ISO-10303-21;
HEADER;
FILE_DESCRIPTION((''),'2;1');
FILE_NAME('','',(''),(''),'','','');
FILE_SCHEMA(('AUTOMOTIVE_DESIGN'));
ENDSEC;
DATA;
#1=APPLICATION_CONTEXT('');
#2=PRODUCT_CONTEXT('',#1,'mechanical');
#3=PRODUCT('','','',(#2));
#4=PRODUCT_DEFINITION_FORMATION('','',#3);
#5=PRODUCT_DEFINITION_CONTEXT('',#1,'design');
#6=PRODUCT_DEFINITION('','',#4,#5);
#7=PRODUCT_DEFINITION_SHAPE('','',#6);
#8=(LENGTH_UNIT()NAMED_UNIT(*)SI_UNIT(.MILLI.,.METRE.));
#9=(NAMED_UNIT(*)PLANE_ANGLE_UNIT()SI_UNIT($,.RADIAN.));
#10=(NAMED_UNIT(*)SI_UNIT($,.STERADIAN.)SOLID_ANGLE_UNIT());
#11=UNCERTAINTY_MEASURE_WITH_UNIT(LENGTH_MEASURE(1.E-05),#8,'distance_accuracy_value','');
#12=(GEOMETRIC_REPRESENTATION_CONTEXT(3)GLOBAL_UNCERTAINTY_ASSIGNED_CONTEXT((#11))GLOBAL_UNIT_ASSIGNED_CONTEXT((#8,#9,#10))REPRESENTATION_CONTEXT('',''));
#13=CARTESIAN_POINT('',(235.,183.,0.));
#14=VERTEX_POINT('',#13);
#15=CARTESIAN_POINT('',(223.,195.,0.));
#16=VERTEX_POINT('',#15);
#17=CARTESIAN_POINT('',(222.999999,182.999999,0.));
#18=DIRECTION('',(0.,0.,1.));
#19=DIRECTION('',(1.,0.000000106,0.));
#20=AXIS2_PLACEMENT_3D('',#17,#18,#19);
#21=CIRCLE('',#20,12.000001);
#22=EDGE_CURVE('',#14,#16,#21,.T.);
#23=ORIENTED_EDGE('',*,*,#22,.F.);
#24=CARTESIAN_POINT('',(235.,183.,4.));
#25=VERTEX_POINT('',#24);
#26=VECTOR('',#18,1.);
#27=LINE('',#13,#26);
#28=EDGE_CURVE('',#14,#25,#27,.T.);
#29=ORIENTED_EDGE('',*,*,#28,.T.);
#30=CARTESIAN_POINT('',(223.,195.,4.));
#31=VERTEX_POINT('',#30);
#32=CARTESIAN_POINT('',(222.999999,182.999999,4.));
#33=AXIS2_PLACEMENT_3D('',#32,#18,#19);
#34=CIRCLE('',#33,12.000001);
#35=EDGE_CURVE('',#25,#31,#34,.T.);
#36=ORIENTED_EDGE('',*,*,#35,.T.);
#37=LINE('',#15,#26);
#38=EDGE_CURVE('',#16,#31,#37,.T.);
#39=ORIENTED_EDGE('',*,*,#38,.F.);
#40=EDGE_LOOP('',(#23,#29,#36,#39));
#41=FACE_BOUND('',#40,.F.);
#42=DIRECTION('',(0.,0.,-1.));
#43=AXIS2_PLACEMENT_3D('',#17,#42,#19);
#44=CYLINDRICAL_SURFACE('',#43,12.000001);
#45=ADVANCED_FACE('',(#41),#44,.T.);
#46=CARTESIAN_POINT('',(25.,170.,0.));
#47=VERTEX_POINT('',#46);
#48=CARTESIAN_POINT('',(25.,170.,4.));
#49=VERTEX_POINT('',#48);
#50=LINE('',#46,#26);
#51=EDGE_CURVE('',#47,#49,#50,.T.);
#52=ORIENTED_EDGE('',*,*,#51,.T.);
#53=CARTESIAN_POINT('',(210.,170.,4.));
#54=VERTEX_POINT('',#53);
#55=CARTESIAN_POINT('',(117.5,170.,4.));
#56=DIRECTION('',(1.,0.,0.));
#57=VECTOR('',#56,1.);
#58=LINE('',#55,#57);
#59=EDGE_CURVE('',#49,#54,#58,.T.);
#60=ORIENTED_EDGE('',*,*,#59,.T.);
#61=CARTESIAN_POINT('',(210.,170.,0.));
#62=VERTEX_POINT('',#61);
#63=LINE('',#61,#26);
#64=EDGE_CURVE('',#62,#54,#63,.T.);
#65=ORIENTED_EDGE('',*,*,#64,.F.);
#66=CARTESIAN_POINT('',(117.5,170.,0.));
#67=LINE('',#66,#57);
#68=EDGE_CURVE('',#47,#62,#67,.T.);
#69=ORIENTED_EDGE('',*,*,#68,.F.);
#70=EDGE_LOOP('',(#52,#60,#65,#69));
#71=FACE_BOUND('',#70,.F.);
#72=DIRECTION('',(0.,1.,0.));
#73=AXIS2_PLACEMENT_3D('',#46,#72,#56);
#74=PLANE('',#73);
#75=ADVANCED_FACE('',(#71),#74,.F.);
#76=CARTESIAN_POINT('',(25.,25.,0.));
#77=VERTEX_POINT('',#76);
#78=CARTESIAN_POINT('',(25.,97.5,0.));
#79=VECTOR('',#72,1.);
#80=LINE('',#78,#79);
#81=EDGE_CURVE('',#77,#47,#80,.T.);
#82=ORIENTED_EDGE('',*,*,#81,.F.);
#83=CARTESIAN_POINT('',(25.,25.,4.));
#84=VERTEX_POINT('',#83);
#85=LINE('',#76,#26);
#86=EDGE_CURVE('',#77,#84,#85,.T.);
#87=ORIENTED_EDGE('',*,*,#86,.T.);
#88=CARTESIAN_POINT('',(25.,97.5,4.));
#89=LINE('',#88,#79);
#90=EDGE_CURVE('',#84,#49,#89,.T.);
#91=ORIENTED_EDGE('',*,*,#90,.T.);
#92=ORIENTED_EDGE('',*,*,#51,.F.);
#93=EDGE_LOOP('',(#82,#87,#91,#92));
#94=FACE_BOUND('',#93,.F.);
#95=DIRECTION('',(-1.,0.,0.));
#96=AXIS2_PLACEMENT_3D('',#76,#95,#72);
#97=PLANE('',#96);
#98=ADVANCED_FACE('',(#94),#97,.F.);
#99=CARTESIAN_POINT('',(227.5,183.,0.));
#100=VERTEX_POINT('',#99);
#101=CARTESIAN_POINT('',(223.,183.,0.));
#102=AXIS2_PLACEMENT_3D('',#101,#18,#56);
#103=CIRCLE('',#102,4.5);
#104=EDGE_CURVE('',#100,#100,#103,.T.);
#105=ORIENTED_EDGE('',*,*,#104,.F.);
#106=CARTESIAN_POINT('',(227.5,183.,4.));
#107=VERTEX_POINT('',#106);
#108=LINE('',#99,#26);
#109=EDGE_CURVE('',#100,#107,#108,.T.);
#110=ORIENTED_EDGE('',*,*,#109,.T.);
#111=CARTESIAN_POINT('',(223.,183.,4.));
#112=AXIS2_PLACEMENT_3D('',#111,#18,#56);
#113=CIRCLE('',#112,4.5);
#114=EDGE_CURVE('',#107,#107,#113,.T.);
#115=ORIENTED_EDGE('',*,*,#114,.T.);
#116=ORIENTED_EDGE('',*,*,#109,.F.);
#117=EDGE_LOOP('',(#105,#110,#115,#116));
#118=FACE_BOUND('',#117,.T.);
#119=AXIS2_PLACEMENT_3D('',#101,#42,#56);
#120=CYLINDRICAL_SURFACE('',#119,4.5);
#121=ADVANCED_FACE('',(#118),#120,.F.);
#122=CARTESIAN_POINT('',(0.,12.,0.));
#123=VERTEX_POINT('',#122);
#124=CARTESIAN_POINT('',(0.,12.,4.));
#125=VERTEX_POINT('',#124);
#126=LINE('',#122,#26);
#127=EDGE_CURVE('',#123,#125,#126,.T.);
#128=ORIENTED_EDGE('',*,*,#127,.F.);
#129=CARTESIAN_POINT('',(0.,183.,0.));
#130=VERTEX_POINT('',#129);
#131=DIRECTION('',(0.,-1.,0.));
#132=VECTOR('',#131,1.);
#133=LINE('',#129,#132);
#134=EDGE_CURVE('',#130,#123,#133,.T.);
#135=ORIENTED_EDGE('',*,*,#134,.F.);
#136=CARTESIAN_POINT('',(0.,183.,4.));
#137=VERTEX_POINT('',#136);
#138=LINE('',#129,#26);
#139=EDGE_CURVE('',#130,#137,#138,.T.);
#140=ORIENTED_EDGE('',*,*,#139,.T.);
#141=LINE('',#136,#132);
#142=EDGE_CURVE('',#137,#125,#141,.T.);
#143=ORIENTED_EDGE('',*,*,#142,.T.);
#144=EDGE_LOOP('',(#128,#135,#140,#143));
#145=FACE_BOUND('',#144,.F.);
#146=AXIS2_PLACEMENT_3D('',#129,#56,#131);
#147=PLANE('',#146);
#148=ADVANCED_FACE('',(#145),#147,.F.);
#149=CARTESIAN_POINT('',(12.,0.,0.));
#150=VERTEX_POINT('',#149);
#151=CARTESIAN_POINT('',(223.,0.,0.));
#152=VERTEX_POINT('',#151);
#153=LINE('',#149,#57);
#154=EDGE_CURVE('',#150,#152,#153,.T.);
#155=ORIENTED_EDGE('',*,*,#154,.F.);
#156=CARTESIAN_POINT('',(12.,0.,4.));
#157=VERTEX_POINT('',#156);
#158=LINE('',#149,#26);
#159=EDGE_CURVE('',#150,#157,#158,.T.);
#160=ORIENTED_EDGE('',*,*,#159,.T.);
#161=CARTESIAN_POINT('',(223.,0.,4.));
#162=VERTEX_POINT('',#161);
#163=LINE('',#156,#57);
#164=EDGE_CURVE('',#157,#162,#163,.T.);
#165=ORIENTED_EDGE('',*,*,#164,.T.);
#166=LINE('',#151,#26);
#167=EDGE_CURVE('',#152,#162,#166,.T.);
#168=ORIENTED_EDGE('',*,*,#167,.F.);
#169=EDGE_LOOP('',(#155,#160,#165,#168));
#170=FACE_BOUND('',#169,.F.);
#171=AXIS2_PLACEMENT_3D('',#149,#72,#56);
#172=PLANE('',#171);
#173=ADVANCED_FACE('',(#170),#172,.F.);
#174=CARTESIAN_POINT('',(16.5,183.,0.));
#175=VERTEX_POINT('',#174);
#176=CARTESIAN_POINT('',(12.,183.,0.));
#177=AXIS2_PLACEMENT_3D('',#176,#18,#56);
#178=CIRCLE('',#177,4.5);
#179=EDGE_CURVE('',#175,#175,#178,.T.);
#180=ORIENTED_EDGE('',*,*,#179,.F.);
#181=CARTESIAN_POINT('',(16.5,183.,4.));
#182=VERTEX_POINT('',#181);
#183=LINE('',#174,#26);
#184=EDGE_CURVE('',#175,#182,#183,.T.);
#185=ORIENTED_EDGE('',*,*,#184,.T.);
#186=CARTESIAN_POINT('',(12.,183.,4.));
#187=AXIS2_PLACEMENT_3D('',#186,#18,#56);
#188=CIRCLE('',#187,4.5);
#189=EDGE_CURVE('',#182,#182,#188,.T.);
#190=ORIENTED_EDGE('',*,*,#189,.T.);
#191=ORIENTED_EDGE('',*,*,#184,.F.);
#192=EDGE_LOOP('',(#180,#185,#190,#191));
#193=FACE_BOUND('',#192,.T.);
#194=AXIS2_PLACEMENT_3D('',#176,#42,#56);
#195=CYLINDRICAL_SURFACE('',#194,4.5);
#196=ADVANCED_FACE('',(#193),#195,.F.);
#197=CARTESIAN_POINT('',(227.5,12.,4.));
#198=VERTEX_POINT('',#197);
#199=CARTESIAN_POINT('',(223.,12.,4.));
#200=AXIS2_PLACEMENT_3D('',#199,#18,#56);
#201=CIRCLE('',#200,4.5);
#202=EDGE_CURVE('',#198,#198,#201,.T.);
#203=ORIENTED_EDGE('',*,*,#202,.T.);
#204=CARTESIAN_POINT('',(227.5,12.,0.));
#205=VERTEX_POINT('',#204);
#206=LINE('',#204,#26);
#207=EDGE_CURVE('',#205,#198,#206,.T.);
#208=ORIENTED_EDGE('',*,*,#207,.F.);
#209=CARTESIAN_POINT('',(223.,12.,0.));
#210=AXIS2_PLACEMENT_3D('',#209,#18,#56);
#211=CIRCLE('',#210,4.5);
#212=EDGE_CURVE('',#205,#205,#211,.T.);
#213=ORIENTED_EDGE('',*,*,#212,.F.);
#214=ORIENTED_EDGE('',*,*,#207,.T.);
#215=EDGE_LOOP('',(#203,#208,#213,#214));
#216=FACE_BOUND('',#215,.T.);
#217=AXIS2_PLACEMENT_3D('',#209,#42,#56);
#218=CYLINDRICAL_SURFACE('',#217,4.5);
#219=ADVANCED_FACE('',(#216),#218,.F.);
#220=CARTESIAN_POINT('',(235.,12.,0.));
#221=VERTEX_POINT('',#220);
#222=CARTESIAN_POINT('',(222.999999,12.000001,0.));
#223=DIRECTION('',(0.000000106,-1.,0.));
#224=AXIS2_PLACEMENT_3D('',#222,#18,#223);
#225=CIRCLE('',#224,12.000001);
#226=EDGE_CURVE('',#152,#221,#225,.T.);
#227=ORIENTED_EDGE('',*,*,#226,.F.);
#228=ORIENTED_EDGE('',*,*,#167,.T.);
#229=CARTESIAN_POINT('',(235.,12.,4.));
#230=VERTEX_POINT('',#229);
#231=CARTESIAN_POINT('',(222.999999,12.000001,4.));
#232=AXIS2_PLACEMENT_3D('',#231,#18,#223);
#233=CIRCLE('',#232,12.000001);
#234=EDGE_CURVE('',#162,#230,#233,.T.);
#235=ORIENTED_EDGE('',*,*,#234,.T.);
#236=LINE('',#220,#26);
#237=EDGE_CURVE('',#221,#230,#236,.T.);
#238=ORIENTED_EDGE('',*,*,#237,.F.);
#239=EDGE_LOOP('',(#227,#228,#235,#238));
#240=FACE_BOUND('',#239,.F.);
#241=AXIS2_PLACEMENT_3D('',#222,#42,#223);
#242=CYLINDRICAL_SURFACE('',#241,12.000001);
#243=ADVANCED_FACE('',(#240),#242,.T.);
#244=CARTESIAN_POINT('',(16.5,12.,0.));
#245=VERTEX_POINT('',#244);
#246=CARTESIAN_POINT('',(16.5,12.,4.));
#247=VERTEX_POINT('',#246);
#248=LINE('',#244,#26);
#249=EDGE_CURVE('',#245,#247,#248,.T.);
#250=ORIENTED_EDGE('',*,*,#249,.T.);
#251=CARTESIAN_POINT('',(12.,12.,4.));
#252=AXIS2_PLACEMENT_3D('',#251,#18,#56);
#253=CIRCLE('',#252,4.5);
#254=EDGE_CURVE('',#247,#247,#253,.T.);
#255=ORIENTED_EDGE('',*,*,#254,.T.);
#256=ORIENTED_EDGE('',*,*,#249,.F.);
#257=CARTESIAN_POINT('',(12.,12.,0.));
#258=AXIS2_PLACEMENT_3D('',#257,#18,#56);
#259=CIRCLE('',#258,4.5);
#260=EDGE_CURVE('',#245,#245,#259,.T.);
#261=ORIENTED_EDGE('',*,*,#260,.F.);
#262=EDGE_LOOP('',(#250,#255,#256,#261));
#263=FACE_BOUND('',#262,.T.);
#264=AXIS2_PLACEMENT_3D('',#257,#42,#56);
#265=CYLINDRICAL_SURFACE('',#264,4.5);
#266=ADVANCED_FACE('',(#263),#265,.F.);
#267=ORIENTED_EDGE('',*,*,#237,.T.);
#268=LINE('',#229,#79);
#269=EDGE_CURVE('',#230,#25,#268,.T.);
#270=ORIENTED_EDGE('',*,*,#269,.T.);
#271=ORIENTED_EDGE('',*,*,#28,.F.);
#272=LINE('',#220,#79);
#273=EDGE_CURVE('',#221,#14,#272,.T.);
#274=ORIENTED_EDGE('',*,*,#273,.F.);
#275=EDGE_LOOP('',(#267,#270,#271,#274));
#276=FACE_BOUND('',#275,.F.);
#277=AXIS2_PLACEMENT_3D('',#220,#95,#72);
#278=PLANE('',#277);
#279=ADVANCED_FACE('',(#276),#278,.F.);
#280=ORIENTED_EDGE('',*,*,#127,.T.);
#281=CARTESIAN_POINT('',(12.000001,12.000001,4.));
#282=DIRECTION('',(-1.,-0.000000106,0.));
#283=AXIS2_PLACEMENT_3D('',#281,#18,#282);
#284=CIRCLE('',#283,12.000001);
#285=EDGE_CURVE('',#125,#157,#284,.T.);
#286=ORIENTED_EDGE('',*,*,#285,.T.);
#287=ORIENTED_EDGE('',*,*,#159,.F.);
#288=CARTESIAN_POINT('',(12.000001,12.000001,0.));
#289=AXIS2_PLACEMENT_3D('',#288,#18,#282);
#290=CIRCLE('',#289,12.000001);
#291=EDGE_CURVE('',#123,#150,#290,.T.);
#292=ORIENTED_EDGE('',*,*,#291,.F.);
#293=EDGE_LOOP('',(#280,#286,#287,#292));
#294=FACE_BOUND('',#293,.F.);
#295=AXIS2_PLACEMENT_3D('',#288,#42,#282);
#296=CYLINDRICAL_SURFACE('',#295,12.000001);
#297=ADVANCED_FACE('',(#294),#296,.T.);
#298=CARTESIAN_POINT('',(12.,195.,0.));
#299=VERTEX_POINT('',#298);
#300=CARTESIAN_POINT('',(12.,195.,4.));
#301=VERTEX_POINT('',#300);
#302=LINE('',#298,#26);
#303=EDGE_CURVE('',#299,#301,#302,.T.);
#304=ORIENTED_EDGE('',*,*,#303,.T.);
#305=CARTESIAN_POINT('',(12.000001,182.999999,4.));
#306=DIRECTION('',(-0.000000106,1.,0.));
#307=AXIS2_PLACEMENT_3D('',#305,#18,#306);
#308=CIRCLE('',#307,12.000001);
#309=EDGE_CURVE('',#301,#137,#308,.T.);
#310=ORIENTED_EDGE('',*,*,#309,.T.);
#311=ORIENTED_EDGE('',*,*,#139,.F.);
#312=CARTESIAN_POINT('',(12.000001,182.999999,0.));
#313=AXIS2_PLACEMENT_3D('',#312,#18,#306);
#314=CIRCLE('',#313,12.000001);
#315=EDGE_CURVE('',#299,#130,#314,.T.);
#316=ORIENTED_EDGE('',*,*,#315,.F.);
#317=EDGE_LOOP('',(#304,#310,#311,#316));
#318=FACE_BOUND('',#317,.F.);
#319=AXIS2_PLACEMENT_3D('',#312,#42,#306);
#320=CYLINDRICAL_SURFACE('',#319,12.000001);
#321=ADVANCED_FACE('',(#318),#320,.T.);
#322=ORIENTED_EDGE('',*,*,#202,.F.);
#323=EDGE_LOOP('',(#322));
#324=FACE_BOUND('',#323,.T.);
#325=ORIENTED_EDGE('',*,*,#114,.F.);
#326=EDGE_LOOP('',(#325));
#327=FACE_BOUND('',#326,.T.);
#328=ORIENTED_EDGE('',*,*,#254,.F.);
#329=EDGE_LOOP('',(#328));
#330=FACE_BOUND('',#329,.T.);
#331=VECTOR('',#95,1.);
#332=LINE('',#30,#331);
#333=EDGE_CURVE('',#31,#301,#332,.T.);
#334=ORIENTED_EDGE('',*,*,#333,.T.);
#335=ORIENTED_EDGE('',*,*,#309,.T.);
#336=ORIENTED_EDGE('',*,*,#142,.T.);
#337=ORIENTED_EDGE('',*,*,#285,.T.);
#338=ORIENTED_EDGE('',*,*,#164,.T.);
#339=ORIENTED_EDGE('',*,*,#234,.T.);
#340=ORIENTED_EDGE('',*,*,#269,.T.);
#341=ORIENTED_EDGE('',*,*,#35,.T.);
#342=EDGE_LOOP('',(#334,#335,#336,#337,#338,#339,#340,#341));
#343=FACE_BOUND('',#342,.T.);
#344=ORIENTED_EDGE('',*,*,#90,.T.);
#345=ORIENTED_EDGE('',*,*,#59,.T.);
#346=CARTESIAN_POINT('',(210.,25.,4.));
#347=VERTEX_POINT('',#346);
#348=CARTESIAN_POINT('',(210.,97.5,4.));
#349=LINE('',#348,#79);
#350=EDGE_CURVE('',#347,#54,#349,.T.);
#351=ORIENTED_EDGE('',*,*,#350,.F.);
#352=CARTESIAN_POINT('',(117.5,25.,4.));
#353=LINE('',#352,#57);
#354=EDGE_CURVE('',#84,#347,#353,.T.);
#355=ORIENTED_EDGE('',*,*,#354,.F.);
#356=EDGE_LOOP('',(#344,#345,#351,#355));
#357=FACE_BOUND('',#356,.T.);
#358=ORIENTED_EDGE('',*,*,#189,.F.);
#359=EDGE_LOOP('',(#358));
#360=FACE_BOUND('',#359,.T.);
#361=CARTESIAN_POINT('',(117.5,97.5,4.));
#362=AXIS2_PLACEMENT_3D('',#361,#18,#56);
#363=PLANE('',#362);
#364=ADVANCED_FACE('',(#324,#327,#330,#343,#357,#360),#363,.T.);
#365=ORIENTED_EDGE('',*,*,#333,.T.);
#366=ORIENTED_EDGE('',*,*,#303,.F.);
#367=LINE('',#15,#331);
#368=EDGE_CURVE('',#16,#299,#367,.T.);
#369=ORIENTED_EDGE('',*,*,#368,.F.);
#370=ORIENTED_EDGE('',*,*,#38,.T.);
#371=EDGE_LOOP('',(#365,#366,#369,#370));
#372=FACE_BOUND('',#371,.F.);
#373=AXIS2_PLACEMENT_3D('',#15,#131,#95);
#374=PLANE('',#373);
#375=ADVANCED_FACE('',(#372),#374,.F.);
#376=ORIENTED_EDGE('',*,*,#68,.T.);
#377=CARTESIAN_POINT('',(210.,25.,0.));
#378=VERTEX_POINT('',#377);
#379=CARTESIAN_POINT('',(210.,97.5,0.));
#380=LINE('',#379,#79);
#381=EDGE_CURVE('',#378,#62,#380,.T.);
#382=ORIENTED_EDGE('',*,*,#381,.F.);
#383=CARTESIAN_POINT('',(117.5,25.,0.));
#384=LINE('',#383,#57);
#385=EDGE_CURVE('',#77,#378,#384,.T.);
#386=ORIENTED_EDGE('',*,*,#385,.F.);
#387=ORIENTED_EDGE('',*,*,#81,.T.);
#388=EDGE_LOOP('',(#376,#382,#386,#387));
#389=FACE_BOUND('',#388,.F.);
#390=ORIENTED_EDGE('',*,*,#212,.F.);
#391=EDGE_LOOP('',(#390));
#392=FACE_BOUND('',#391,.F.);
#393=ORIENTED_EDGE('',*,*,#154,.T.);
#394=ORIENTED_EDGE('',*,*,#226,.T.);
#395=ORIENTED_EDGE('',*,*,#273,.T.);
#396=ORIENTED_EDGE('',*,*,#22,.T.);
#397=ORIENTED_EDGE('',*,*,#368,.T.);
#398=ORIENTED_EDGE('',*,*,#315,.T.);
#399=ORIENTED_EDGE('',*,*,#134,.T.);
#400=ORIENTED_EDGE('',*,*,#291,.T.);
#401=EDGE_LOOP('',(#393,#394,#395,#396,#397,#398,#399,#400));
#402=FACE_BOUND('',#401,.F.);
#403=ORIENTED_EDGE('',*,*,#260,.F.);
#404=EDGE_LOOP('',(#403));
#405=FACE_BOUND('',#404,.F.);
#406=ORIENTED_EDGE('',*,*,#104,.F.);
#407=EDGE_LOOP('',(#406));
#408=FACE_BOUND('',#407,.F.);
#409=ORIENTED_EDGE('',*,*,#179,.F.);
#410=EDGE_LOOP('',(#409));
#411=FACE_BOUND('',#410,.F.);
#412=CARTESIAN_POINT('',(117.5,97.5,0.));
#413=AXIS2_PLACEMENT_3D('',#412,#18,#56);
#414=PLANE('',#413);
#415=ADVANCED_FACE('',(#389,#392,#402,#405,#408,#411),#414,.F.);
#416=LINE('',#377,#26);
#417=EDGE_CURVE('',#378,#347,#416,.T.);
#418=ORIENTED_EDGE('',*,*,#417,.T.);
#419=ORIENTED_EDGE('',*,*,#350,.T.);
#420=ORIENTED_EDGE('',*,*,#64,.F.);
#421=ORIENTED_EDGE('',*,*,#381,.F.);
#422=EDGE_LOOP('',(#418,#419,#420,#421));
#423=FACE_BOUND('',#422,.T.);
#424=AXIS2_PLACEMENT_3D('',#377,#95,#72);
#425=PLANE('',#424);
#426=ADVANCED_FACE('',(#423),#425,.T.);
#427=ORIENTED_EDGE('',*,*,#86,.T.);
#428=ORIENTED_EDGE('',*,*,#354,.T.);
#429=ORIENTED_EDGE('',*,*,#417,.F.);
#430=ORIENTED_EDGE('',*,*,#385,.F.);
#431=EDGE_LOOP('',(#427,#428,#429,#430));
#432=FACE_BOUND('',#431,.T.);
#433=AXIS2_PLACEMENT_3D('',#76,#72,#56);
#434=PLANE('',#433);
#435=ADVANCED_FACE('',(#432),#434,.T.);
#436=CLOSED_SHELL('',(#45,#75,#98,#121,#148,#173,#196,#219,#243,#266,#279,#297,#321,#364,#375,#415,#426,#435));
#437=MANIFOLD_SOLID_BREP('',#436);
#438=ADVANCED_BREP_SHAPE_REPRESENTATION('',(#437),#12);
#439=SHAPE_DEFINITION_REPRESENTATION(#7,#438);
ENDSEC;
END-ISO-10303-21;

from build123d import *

# Parameters (mm, degrees)
F0_R     = 4.5
F0_W     = 185
F0_H     = 145
F1_DEPTH = 4


with BuildPart() as f1:
    # F0 (on Top) → F1 (new body)
    with BuildSketch(Plane.XY):
        with BuildLine():
            ThreePointArc((0, 12), (3.514719, 3.514719), (12, 0))
            Line((12, 0), (223, 0))
            ThreePointArc((223, 0), (231.485281, 3.514719), (235, 12))
            Line((235, 12), (235, 183))
            ThreePointArc((235, 183), (231.485281, 191.485281), (223, 195))
            Line((223, 195), (12, 195))
            ThreePointArc((12, 195), (3.514719, 191.485281), (0, 183))
            Line((0, 183), (0, 12))
        make_face()
        with Locations((12, 12)):
            Circle(F0_R, mode=Mode.SUBTRACT)
        with Locations((223, 12)):
            Circle(F0_R, mode=Mode.SUBTRACT)
        with Locations((12, 183)):
            Circle(F0_R, mode=Mode.SUBTRACT)
        with Locations((117.5, 97.5)):
            Rectangle(F0_W, F0_H, mode=Mode.SUBTRACT)
        with Locations((223, 183)):
            Circle(F0_R, mode=Mode.SUBTRACT)
    extrude(amount=F1_DEPTH)


solid = f1.part
